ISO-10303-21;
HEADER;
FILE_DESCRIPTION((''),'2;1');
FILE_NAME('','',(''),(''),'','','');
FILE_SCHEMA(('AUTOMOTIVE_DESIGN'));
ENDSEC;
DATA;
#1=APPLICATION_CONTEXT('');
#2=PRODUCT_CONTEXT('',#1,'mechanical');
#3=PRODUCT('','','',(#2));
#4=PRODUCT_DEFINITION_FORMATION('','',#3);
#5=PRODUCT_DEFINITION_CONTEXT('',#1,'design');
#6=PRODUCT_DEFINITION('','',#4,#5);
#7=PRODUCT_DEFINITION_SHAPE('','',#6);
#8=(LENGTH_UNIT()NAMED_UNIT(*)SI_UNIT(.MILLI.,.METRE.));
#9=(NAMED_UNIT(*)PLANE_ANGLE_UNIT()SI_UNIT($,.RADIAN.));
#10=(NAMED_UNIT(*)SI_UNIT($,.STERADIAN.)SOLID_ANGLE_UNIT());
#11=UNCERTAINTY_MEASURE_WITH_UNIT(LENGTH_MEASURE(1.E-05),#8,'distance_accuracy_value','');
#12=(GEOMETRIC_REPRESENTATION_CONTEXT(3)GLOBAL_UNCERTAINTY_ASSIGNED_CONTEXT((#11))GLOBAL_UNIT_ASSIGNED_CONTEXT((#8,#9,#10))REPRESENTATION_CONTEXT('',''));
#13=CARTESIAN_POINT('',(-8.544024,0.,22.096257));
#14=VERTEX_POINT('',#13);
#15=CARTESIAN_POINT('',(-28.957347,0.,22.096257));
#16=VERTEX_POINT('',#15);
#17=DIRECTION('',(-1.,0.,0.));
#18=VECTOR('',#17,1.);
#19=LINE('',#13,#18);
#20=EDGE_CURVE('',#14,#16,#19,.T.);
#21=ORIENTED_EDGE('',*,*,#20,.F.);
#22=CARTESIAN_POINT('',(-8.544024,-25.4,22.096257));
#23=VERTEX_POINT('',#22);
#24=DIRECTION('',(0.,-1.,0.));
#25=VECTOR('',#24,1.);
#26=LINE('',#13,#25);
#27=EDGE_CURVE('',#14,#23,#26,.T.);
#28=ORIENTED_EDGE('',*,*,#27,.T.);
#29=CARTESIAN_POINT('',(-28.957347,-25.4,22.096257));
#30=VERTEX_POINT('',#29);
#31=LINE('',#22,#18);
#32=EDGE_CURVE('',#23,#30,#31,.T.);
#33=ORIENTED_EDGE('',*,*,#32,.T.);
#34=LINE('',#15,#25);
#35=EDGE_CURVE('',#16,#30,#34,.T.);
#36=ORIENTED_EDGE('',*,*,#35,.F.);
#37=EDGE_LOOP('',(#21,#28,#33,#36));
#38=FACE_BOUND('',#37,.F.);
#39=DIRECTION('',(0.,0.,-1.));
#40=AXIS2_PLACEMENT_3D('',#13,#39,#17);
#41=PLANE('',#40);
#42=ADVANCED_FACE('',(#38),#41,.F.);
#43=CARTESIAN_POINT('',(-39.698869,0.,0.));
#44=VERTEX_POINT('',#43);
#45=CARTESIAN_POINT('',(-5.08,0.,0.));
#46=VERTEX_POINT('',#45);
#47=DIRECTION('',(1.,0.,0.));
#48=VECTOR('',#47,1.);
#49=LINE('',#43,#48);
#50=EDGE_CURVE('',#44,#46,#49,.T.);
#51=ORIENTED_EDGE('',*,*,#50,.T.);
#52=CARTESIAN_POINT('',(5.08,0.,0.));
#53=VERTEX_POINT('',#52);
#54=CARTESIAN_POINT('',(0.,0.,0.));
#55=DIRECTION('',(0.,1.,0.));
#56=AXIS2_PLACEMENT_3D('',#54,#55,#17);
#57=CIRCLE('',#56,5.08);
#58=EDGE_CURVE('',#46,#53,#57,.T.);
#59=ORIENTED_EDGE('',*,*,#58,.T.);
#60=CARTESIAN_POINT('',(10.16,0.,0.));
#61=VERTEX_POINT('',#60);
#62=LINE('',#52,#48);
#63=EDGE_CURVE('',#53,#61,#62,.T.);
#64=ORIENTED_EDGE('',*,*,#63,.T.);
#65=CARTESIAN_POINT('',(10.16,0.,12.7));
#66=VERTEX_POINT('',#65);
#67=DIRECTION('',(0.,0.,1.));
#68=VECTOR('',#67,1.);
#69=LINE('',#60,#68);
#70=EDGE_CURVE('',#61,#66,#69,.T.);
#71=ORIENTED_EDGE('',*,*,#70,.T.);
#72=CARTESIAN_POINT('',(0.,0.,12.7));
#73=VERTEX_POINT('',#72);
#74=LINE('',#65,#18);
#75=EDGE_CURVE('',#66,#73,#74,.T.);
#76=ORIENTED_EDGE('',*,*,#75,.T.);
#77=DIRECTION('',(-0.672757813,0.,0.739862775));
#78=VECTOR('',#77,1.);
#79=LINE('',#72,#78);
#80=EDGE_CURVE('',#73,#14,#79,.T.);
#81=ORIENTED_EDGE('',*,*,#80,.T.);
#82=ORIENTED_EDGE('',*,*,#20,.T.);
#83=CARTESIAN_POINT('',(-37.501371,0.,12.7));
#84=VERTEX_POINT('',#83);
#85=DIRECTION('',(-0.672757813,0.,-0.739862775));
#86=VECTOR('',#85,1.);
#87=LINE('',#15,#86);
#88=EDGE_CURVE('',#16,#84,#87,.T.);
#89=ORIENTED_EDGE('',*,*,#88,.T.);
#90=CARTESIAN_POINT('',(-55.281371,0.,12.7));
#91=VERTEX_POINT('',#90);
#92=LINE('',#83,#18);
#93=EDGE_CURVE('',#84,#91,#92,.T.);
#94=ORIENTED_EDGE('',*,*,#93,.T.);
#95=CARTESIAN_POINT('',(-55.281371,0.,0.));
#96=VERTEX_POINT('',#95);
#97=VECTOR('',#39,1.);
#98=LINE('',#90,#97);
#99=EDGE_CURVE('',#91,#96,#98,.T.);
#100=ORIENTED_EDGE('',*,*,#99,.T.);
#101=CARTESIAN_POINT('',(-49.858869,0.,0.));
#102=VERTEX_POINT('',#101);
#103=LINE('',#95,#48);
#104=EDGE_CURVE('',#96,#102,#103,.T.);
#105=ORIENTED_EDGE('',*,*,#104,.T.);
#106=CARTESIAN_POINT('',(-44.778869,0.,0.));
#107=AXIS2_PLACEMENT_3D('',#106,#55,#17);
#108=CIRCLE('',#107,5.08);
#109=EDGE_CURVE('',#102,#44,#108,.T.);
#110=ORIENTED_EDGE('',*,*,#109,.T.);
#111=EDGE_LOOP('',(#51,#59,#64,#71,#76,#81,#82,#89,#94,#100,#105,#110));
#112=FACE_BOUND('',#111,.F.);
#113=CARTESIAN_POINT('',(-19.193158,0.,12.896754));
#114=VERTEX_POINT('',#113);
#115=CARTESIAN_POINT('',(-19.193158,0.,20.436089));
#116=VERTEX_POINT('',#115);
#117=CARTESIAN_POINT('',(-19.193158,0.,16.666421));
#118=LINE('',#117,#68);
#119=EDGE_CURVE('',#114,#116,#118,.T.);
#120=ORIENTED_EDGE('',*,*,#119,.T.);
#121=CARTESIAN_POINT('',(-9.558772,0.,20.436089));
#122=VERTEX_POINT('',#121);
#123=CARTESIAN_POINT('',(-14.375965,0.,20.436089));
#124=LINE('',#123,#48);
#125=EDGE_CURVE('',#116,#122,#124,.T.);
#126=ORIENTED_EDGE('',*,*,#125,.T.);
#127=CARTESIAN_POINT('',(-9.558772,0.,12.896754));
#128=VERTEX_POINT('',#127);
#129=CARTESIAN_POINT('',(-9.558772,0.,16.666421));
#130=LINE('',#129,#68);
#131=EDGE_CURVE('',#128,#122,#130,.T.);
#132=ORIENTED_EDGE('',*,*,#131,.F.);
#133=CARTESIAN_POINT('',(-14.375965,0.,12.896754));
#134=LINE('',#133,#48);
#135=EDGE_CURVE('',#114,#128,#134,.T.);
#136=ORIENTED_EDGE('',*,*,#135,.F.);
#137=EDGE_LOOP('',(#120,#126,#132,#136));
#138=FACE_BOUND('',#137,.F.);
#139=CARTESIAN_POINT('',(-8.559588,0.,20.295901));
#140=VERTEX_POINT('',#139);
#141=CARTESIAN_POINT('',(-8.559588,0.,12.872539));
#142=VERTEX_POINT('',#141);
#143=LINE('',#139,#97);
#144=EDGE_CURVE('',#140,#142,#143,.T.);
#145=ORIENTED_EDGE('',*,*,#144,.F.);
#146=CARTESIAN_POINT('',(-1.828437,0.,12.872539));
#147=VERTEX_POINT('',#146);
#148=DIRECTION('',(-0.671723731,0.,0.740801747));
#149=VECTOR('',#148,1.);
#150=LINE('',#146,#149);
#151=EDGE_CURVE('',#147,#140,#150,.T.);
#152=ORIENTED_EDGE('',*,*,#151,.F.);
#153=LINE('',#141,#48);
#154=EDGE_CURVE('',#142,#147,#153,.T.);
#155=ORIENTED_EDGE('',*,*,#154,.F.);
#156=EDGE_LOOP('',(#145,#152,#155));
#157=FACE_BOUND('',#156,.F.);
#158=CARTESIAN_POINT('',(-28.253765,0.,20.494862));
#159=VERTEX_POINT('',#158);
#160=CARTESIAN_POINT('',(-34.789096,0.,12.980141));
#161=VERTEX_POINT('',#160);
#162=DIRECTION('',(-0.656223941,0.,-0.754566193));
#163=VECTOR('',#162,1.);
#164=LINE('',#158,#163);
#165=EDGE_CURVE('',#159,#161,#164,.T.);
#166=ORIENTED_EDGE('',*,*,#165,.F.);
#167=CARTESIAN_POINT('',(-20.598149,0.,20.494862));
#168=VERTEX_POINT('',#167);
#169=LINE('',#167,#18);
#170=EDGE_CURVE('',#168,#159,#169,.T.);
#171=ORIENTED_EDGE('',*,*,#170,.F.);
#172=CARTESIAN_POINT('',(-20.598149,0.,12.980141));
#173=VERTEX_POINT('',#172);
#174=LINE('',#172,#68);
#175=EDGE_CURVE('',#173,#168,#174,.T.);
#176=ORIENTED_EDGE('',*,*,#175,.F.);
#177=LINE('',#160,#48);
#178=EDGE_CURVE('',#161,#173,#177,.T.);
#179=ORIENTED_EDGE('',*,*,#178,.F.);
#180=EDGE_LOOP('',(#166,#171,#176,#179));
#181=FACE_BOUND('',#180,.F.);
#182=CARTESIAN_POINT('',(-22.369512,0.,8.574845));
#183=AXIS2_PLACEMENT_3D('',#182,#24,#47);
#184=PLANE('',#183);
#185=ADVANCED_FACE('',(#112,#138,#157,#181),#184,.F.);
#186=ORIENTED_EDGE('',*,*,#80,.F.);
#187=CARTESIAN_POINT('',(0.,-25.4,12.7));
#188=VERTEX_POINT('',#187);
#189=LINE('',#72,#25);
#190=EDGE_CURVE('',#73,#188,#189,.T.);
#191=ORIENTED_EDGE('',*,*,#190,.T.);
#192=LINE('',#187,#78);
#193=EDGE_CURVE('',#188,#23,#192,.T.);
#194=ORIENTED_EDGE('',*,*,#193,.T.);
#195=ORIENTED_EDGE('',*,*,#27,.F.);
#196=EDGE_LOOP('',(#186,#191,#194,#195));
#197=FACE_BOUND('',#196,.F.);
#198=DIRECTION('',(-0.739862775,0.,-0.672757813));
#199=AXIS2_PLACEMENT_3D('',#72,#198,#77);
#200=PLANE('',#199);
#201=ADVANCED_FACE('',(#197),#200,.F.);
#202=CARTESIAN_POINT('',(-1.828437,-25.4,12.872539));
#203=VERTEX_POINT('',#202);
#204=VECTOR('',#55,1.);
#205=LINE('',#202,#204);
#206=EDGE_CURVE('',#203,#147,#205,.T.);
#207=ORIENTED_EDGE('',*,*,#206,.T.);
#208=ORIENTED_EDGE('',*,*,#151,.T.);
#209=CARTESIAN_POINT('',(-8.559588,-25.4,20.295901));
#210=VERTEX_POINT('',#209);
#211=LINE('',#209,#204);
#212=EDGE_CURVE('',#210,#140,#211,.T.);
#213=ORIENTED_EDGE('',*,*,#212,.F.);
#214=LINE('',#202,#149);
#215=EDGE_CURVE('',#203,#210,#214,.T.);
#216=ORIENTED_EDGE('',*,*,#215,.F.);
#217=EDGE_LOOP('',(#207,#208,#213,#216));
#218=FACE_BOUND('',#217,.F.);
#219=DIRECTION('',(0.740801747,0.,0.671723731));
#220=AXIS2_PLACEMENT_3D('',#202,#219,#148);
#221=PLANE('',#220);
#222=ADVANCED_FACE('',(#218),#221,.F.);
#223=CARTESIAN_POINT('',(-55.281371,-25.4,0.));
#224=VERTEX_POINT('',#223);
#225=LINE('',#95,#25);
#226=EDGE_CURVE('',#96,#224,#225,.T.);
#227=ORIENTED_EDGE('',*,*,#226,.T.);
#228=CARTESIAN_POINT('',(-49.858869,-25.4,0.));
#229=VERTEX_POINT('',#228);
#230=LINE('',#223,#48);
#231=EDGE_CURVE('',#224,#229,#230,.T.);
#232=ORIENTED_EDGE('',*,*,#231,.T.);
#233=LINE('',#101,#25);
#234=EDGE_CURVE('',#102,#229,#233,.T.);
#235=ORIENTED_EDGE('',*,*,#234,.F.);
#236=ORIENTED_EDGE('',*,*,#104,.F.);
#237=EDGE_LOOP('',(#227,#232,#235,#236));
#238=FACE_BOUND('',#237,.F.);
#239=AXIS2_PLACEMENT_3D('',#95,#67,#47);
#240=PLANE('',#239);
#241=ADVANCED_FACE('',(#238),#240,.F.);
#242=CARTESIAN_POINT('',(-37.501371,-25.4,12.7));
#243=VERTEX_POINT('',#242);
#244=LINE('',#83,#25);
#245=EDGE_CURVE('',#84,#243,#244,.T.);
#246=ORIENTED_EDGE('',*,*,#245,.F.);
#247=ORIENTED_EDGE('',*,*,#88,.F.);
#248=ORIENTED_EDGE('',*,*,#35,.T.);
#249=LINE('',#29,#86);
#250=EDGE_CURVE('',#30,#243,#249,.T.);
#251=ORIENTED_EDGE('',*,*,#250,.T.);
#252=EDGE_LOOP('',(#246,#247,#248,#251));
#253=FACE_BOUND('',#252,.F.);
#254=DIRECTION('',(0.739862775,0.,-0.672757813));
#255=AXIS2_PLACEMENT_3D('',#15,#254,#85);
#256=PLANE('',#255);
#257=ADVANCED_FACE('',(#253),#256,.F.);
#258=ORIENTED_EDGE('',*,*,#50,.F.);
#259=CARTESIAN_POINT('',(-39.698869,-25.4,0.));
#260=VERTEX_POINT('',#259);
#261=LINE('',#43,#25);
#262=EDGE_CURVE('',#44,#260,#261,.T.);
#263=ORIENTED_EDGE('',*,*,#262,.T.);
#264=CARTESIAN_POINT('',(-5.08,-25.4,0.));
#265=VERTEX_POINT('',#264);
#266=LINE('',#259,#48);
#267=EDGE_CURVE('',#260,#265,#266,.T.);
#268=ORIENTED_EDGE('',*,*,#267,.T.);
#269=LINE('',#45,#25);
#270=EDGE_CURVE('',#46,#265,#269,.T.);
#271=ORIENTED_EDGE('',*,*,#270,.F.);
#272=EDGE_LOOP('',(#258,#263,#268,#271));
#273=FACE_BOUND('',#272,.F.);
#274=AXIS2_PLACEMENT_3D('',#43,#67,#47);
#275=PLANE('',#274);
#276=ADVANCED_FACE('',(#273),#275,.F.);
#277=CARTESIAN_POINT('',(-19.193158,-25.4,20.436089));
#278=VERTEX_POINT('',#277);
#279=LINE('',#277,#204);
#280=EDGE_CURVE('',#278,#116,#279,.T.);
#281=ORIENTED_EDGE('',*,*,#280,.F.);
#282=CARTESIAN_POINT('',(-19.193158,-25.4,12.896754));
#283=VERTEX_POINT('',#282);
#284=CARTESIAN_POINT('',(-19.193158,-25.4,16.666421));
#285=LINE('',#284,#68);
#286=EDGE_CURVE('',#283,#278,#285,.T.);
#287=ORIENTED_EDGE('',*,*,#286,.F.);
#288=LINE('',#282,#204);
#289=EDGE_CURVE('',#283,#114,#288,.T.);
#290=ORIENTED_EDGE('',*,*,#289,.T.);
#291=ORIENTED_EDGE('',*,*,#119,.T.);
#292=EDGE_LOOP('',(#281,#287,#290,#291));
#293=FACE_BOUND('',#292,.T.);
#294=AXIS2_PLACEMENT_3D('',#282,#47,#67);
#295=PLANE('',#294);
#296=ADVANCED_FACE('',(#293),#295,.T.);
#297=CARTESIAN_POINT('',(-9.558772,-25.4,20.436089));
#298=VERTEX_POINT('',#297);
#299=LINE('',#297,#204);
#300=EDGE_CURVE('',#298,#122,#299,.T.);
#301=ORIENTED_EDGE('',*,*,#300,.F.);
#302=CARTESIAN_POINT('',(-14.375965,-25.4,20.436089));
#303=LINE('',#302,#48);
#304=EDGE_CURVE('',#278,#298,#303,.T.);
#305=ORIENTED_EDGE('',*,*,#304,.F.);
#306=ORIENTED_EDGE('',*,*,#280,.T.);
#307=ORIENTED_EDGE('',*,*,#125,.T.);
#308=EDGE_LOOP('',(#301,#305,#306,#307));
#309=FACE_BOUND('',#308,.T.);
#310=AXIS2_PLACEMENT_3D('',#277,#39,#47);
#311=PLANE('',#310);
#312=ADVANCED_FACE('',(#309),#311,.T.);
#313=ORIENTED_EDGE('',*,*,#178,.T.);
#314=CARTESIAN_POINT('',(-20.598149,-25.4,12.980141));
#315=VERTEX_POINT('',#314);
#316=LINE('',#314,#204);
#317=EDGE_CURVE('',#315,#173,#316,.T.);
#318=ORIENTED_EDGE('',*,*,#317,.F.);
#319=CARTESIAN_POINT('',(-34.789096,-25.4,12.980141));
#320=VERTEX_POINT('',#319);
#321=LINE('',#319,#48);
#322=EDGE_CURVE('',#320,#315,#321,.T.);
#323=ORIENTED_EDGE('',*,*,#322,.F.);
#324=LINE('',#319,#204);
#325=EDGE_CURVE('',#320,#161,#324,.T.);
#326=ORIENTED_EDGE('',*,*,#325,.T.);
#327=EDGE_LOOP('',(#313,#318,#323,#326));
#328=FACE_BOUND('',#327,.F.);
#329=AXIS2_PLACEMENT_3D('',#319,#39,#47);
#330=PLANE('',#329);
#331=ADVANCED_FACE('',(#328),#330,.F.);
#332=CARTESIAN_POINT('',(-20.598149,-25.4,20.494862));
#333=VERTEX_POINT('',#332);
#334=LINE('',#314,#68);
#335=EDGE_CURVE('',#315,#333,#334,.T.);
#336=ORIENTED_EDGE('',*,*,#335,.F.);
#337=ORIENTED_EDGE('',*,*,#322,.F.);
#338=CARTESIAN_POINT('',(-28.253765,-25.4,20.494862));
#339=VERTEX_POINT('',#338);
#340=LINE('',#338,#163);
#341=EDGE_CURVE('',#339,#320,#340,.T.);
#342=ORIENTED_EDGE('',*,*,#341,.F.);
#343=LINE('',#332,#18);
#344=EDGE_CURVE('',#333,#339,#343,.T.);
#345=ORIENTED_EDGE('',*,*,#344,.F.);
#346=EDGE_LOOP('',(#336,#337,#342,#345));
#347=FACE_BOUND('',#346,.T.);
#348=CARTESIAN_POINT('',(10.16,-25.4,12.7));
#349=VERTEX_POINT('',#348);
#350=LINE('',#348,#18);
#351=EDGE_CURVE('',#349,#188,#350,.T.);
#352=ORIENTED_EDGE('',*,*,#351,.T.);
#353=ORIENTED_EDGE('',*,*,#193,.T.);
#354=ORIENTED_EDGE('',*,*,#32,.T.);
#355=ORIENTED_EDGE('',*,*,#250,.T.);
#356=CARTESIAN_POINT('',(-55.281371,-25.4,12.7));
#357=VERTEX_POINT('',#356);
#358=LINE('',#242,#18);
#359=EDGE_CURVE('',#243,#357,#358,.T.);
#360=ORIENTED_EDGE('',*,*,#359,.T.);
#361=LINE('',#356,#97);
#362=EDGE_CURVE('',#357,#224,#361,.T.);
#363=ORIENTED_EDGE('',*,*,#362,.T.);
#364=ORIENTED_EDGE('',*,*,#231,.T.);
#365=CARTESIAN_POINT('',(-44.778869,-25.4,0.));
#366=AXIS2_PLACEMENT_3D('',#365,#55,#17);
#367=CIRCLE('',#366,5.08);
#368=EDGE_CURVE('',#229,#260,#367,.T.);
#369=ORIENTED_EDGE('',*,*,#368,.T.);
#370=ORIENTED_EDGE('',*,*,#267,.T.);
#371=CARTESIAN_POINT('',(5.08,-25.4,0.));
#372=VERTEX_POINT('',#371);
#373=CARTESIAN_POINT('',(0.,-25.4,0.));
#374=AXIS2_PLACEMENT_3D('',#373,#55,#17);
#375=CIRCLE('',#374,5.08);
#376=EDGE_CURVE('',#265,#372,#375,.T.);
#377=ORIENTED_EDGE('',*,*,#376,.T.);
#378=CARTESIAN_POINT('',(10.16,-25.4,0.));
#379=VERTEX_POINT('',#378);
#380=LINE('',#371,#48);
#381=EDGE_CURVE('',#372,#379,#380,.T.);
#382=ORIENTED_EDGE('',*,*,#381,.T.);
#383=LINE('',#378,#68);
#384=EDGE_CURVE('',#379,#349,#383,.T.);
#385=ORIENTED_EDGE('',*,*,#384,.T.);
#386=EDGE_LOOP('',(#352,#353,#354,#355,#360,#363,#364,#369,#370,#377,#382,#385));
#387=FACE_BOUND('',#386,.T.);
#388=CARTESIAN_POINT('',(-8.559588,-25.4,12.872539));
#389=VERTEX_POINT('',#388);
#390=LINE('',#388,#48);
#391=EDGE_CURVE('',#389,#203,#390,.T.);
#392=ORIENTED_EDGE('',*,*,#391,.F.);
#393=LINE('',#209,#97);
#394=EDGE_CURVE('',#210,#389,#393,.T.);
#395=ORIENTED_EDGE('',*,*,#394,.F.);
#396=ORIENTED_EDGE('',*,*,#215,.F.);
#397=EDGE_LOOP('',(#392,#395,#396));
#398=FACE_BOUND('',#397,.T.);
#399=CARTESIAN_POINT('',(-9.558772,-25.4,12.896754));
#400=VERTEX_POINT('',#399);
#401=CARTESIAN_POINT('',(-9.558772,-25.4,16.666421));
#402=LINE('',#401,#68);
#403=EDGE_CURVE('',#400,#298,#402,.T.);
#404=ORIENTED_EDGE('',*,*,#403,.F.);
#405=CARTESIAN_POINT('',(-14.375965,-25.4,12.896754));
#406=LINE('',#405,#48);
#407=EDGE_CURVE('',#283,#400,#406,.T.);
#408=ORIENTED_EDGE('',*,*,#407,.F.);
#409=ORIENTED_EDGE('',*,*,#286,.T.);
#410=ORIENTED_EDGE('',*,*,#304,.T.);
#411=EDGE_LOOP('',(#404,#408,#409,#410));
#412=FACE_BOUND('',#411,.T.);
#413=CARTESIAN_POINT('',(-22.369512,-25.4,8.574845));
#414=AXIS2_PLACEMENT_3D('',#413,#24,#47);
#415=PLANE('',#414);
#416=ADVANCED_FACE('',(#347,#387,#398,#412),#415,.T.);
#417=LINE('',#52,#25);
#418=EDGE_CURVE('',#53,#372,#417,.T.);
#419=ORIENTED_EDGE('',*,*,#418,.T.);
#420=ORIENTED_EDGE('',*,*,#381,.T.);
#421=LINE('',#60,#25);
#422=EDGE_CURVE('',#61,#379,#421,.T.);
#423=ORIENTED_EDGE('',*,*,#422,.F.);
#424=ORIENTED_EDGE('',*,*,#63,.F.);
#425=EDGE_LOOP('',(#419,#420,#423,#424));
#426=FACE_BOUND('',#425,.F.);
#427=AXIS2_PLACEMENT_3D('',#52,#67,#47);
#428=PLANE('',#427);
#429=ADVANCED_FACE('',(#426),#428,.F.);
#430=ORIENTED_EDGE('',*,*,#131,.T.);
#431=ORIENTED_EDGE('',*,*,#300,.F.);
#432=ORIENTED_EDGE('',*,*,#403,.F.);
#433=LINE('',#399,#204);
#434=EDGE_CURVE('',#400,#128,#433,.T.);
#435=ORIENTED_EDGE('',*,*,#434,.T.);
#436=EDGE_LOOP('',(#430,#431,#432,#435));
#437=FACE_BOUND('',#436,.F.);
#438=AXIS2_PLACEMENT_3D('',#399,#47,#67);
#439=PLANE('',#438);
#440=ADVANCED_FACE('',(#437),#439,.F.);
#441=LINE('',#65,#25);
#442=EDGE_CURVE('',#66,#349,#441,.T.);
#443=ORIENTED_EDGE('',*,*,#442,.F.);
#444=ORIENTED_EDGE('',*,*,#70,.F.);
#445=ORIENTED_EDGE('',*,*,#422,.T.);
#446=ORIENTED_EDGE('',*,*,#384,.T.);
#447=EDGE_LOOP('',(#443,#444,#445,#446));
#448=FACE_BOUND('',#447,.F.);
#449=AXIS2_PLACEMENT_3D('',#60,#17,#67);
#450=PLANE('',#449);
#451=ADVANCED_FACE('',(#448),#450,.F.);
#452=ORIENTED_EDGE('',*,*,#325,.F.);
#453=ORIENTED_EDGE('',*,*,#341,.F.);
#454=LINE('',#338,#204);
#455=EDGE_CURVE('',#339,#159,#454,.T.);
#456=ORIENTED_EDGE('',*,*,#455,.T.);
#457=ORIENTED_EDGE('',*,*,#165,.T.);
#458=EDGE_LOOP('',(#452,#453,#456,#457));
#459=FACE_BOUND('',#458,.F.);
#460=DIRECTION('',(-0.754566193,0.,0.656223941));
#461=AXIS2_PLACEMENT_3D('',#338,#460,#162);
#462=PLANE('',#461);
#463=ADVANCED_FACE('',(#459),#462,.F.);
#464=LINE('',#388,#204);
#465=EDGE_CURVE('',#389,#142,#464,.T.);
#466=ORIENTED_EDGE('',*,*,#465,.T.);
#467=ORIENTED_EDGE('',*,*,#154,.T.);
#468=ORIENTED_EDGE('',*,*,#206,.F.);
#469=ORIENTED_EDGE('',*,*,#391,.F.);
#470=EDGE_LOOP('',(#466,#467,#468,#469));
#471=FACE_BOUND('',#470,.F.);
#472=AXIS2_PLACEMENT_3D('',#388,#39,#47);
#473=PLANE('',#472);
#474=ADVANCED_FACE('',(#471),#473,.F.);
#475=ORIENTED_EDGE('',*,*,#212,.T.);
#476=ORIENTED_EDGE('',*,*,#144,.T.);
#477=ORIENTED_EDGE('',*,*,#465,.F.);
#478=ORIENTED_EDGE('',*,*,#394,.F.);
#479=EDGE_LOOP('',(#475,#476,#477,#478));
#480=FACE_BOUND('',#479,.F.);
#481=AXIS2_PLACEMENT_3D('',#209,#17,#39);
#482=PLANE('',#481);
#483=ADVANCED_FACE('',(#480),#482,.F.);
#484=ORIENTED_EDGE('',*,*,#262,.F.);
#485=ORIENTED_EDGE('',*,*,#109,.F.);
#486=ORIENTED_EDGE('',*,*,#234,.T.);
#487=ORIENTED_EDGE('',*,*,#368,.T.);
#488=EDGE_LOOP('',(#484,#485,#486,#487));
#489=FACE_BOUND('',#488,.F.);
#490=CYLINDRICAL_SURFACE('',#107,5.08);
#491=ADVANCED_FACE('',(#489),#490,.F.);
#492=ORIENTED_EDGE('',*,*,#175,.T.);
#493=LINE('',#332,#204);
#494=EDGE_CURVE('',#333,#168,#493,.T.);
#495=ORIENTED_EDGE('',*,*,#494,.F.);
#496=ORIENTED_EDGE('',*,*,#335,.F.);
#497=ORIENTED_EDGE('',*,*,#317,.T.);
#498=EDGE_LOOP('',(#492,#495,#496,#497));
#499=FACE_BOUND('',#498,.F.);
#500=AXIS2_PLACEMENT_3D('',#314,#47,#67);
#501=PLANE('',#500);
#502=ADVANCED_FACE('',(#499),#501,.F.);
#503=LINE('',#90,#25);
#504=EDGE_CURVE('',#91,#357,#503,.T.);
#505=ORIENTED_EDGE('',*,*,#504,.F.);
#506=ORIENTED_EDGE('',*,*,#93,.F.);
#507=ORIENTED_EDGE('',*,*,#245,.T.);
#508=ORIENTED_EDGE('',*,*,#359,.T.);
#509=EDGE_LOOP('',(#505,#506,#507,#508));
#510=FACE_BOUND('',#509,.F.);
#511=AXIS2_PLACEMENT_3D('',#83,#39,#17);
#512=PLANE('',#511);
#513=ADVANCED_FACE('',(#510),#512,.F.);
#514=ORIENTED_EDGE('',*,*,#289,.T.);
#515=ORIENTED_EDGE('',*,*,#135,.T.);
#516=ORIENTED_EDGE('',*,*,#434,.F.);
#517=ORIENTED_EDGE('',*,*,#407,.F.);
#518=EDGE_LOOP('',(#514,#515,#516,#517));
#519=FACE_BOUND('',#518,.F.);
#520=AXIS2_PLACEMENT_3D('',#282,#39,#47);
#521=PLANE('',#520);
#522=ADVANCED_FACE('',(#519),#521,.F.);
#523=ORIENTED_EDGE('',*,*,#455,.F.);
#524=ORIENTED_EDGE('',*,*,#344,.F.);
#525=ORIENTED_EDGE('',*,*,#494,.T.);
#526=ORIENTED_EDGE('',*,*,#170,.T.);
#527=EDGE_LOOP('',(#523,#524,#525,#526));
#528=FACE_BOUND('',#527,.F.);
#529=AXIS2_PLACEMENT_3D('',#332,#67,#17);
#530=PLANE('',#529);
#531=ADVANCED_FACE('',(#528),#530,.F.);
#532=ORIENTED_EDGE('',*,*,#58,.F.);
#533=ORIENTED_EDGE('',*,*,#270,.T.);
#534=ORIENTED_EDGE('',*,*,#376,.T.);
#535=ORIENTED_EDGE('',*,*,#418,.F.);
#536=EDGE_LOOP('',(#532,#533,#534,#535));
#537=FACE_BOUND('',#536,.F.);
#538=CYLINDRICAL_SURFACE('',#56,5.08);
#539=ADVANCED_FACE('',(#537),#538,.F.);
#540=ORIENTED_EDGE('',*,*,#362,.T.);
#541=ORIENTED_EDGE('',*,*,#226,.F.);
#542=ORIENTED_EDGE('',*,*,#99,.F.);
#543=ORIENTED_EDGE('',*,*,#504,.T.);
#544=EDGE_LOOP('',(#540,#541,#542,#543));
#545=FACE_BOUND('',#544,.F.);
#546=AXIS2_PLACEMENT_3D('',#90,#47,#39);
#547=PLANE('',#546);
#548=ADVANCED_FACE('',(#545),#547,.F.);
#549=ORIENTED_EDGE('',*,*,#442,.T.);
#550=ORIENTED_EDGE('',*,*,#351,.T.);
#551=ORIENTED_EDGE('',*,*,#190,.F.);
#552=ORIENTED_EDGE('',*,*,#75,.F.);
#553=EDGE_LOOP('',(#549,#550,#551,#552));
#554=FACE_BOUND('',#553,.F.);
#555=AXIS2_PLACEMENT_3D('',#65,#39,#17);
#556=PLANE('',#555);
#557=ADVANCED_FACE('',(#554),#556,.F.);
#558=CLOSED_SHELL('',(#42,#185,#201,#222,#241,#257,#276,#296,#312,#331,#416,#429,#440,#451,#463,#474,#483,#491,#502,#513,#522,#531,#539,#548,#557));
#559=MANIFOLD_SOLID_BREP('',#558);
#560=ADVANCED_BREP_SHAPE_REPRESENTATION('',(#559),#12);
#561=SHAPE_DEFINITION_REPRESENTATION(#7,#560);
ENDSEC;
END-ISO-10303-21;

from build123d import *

# Parameters (mm, degrees)
F1_DEPTH = 25.4
F3_DEPTH = 25.4
F4_W     = 9.634385
F4_H     = 7.539335
F5_DEPTH = 25.4
F7_DEPTH = 25.4


with BuildPart() as f1:
    # F0 (on Front) → F1 (new body)
    with BuildSketch(Plane.XZ):
        with BuildLine():
            Line((-37.501371, 12.7), (-55.281371, 12.7))
            Line((-55.281371, 12.7), (-55.281371, 0))
            Line((-55.281371, 0), (-49.858869, 0))
            ThreePointArc((-49.858869, 0), (-44.778869, 5.08), (-39.698869, 0))
            Line((-39.698869, 0), (-5.08, 0))
            ThreePointArc((-5.08, 0), (0, 5.08), (5.08, 0))
            Line((5.08, 0), (10.16, 0))
            Line((10.16, 0), (10.16, 12.7))
            Line((10.16, 12.7), (0, 12.7))
            Line((0, 12.7), (-8.544024, 22.096257))
            Line((-8.544024, 22.096257), (-28.957347, 22.096257))
            Line((-28.957347, 22.096257), (-37.501371, 12.7))
        make_face()
    extrude(amount=F1_DEPTH)

    # F2 (on face) → F3 (cut)
    with BuildSketch(Plane.XZ.offset(25.4)):
        Polygon((-28.253765, 20.494862), (-34.789096, 12.980141), (-20.598149, 12.980141), (-20.598149, 20.494862), align=None)
    extrude(amount=-F3_DEPTH, mode=Mode.SUBTRACT)

    # F4 (on face) → F5 (cut)
    with BuildSketch(Plane.XZ.offset(25.4)):
        with Locations((-14.375965, 16.666421)):
            Rectangle(F4_W, F4_H)
    extrude(amount=-F5_DEPTH, mode=Mode.SUBTRACT)

    # F6 (on face) → F7 (cut)
    with BuildSketch(Plane.XZ.offset(25.4)):
        Polygon((-1.828437, 12.872539), (-8.559588, 20.295901), (-8.559588, 12.872539), align=None)
    extrude(amount=-F7_DEPTH, mode=Mode.SUBTRACT)


solid = f1.part
